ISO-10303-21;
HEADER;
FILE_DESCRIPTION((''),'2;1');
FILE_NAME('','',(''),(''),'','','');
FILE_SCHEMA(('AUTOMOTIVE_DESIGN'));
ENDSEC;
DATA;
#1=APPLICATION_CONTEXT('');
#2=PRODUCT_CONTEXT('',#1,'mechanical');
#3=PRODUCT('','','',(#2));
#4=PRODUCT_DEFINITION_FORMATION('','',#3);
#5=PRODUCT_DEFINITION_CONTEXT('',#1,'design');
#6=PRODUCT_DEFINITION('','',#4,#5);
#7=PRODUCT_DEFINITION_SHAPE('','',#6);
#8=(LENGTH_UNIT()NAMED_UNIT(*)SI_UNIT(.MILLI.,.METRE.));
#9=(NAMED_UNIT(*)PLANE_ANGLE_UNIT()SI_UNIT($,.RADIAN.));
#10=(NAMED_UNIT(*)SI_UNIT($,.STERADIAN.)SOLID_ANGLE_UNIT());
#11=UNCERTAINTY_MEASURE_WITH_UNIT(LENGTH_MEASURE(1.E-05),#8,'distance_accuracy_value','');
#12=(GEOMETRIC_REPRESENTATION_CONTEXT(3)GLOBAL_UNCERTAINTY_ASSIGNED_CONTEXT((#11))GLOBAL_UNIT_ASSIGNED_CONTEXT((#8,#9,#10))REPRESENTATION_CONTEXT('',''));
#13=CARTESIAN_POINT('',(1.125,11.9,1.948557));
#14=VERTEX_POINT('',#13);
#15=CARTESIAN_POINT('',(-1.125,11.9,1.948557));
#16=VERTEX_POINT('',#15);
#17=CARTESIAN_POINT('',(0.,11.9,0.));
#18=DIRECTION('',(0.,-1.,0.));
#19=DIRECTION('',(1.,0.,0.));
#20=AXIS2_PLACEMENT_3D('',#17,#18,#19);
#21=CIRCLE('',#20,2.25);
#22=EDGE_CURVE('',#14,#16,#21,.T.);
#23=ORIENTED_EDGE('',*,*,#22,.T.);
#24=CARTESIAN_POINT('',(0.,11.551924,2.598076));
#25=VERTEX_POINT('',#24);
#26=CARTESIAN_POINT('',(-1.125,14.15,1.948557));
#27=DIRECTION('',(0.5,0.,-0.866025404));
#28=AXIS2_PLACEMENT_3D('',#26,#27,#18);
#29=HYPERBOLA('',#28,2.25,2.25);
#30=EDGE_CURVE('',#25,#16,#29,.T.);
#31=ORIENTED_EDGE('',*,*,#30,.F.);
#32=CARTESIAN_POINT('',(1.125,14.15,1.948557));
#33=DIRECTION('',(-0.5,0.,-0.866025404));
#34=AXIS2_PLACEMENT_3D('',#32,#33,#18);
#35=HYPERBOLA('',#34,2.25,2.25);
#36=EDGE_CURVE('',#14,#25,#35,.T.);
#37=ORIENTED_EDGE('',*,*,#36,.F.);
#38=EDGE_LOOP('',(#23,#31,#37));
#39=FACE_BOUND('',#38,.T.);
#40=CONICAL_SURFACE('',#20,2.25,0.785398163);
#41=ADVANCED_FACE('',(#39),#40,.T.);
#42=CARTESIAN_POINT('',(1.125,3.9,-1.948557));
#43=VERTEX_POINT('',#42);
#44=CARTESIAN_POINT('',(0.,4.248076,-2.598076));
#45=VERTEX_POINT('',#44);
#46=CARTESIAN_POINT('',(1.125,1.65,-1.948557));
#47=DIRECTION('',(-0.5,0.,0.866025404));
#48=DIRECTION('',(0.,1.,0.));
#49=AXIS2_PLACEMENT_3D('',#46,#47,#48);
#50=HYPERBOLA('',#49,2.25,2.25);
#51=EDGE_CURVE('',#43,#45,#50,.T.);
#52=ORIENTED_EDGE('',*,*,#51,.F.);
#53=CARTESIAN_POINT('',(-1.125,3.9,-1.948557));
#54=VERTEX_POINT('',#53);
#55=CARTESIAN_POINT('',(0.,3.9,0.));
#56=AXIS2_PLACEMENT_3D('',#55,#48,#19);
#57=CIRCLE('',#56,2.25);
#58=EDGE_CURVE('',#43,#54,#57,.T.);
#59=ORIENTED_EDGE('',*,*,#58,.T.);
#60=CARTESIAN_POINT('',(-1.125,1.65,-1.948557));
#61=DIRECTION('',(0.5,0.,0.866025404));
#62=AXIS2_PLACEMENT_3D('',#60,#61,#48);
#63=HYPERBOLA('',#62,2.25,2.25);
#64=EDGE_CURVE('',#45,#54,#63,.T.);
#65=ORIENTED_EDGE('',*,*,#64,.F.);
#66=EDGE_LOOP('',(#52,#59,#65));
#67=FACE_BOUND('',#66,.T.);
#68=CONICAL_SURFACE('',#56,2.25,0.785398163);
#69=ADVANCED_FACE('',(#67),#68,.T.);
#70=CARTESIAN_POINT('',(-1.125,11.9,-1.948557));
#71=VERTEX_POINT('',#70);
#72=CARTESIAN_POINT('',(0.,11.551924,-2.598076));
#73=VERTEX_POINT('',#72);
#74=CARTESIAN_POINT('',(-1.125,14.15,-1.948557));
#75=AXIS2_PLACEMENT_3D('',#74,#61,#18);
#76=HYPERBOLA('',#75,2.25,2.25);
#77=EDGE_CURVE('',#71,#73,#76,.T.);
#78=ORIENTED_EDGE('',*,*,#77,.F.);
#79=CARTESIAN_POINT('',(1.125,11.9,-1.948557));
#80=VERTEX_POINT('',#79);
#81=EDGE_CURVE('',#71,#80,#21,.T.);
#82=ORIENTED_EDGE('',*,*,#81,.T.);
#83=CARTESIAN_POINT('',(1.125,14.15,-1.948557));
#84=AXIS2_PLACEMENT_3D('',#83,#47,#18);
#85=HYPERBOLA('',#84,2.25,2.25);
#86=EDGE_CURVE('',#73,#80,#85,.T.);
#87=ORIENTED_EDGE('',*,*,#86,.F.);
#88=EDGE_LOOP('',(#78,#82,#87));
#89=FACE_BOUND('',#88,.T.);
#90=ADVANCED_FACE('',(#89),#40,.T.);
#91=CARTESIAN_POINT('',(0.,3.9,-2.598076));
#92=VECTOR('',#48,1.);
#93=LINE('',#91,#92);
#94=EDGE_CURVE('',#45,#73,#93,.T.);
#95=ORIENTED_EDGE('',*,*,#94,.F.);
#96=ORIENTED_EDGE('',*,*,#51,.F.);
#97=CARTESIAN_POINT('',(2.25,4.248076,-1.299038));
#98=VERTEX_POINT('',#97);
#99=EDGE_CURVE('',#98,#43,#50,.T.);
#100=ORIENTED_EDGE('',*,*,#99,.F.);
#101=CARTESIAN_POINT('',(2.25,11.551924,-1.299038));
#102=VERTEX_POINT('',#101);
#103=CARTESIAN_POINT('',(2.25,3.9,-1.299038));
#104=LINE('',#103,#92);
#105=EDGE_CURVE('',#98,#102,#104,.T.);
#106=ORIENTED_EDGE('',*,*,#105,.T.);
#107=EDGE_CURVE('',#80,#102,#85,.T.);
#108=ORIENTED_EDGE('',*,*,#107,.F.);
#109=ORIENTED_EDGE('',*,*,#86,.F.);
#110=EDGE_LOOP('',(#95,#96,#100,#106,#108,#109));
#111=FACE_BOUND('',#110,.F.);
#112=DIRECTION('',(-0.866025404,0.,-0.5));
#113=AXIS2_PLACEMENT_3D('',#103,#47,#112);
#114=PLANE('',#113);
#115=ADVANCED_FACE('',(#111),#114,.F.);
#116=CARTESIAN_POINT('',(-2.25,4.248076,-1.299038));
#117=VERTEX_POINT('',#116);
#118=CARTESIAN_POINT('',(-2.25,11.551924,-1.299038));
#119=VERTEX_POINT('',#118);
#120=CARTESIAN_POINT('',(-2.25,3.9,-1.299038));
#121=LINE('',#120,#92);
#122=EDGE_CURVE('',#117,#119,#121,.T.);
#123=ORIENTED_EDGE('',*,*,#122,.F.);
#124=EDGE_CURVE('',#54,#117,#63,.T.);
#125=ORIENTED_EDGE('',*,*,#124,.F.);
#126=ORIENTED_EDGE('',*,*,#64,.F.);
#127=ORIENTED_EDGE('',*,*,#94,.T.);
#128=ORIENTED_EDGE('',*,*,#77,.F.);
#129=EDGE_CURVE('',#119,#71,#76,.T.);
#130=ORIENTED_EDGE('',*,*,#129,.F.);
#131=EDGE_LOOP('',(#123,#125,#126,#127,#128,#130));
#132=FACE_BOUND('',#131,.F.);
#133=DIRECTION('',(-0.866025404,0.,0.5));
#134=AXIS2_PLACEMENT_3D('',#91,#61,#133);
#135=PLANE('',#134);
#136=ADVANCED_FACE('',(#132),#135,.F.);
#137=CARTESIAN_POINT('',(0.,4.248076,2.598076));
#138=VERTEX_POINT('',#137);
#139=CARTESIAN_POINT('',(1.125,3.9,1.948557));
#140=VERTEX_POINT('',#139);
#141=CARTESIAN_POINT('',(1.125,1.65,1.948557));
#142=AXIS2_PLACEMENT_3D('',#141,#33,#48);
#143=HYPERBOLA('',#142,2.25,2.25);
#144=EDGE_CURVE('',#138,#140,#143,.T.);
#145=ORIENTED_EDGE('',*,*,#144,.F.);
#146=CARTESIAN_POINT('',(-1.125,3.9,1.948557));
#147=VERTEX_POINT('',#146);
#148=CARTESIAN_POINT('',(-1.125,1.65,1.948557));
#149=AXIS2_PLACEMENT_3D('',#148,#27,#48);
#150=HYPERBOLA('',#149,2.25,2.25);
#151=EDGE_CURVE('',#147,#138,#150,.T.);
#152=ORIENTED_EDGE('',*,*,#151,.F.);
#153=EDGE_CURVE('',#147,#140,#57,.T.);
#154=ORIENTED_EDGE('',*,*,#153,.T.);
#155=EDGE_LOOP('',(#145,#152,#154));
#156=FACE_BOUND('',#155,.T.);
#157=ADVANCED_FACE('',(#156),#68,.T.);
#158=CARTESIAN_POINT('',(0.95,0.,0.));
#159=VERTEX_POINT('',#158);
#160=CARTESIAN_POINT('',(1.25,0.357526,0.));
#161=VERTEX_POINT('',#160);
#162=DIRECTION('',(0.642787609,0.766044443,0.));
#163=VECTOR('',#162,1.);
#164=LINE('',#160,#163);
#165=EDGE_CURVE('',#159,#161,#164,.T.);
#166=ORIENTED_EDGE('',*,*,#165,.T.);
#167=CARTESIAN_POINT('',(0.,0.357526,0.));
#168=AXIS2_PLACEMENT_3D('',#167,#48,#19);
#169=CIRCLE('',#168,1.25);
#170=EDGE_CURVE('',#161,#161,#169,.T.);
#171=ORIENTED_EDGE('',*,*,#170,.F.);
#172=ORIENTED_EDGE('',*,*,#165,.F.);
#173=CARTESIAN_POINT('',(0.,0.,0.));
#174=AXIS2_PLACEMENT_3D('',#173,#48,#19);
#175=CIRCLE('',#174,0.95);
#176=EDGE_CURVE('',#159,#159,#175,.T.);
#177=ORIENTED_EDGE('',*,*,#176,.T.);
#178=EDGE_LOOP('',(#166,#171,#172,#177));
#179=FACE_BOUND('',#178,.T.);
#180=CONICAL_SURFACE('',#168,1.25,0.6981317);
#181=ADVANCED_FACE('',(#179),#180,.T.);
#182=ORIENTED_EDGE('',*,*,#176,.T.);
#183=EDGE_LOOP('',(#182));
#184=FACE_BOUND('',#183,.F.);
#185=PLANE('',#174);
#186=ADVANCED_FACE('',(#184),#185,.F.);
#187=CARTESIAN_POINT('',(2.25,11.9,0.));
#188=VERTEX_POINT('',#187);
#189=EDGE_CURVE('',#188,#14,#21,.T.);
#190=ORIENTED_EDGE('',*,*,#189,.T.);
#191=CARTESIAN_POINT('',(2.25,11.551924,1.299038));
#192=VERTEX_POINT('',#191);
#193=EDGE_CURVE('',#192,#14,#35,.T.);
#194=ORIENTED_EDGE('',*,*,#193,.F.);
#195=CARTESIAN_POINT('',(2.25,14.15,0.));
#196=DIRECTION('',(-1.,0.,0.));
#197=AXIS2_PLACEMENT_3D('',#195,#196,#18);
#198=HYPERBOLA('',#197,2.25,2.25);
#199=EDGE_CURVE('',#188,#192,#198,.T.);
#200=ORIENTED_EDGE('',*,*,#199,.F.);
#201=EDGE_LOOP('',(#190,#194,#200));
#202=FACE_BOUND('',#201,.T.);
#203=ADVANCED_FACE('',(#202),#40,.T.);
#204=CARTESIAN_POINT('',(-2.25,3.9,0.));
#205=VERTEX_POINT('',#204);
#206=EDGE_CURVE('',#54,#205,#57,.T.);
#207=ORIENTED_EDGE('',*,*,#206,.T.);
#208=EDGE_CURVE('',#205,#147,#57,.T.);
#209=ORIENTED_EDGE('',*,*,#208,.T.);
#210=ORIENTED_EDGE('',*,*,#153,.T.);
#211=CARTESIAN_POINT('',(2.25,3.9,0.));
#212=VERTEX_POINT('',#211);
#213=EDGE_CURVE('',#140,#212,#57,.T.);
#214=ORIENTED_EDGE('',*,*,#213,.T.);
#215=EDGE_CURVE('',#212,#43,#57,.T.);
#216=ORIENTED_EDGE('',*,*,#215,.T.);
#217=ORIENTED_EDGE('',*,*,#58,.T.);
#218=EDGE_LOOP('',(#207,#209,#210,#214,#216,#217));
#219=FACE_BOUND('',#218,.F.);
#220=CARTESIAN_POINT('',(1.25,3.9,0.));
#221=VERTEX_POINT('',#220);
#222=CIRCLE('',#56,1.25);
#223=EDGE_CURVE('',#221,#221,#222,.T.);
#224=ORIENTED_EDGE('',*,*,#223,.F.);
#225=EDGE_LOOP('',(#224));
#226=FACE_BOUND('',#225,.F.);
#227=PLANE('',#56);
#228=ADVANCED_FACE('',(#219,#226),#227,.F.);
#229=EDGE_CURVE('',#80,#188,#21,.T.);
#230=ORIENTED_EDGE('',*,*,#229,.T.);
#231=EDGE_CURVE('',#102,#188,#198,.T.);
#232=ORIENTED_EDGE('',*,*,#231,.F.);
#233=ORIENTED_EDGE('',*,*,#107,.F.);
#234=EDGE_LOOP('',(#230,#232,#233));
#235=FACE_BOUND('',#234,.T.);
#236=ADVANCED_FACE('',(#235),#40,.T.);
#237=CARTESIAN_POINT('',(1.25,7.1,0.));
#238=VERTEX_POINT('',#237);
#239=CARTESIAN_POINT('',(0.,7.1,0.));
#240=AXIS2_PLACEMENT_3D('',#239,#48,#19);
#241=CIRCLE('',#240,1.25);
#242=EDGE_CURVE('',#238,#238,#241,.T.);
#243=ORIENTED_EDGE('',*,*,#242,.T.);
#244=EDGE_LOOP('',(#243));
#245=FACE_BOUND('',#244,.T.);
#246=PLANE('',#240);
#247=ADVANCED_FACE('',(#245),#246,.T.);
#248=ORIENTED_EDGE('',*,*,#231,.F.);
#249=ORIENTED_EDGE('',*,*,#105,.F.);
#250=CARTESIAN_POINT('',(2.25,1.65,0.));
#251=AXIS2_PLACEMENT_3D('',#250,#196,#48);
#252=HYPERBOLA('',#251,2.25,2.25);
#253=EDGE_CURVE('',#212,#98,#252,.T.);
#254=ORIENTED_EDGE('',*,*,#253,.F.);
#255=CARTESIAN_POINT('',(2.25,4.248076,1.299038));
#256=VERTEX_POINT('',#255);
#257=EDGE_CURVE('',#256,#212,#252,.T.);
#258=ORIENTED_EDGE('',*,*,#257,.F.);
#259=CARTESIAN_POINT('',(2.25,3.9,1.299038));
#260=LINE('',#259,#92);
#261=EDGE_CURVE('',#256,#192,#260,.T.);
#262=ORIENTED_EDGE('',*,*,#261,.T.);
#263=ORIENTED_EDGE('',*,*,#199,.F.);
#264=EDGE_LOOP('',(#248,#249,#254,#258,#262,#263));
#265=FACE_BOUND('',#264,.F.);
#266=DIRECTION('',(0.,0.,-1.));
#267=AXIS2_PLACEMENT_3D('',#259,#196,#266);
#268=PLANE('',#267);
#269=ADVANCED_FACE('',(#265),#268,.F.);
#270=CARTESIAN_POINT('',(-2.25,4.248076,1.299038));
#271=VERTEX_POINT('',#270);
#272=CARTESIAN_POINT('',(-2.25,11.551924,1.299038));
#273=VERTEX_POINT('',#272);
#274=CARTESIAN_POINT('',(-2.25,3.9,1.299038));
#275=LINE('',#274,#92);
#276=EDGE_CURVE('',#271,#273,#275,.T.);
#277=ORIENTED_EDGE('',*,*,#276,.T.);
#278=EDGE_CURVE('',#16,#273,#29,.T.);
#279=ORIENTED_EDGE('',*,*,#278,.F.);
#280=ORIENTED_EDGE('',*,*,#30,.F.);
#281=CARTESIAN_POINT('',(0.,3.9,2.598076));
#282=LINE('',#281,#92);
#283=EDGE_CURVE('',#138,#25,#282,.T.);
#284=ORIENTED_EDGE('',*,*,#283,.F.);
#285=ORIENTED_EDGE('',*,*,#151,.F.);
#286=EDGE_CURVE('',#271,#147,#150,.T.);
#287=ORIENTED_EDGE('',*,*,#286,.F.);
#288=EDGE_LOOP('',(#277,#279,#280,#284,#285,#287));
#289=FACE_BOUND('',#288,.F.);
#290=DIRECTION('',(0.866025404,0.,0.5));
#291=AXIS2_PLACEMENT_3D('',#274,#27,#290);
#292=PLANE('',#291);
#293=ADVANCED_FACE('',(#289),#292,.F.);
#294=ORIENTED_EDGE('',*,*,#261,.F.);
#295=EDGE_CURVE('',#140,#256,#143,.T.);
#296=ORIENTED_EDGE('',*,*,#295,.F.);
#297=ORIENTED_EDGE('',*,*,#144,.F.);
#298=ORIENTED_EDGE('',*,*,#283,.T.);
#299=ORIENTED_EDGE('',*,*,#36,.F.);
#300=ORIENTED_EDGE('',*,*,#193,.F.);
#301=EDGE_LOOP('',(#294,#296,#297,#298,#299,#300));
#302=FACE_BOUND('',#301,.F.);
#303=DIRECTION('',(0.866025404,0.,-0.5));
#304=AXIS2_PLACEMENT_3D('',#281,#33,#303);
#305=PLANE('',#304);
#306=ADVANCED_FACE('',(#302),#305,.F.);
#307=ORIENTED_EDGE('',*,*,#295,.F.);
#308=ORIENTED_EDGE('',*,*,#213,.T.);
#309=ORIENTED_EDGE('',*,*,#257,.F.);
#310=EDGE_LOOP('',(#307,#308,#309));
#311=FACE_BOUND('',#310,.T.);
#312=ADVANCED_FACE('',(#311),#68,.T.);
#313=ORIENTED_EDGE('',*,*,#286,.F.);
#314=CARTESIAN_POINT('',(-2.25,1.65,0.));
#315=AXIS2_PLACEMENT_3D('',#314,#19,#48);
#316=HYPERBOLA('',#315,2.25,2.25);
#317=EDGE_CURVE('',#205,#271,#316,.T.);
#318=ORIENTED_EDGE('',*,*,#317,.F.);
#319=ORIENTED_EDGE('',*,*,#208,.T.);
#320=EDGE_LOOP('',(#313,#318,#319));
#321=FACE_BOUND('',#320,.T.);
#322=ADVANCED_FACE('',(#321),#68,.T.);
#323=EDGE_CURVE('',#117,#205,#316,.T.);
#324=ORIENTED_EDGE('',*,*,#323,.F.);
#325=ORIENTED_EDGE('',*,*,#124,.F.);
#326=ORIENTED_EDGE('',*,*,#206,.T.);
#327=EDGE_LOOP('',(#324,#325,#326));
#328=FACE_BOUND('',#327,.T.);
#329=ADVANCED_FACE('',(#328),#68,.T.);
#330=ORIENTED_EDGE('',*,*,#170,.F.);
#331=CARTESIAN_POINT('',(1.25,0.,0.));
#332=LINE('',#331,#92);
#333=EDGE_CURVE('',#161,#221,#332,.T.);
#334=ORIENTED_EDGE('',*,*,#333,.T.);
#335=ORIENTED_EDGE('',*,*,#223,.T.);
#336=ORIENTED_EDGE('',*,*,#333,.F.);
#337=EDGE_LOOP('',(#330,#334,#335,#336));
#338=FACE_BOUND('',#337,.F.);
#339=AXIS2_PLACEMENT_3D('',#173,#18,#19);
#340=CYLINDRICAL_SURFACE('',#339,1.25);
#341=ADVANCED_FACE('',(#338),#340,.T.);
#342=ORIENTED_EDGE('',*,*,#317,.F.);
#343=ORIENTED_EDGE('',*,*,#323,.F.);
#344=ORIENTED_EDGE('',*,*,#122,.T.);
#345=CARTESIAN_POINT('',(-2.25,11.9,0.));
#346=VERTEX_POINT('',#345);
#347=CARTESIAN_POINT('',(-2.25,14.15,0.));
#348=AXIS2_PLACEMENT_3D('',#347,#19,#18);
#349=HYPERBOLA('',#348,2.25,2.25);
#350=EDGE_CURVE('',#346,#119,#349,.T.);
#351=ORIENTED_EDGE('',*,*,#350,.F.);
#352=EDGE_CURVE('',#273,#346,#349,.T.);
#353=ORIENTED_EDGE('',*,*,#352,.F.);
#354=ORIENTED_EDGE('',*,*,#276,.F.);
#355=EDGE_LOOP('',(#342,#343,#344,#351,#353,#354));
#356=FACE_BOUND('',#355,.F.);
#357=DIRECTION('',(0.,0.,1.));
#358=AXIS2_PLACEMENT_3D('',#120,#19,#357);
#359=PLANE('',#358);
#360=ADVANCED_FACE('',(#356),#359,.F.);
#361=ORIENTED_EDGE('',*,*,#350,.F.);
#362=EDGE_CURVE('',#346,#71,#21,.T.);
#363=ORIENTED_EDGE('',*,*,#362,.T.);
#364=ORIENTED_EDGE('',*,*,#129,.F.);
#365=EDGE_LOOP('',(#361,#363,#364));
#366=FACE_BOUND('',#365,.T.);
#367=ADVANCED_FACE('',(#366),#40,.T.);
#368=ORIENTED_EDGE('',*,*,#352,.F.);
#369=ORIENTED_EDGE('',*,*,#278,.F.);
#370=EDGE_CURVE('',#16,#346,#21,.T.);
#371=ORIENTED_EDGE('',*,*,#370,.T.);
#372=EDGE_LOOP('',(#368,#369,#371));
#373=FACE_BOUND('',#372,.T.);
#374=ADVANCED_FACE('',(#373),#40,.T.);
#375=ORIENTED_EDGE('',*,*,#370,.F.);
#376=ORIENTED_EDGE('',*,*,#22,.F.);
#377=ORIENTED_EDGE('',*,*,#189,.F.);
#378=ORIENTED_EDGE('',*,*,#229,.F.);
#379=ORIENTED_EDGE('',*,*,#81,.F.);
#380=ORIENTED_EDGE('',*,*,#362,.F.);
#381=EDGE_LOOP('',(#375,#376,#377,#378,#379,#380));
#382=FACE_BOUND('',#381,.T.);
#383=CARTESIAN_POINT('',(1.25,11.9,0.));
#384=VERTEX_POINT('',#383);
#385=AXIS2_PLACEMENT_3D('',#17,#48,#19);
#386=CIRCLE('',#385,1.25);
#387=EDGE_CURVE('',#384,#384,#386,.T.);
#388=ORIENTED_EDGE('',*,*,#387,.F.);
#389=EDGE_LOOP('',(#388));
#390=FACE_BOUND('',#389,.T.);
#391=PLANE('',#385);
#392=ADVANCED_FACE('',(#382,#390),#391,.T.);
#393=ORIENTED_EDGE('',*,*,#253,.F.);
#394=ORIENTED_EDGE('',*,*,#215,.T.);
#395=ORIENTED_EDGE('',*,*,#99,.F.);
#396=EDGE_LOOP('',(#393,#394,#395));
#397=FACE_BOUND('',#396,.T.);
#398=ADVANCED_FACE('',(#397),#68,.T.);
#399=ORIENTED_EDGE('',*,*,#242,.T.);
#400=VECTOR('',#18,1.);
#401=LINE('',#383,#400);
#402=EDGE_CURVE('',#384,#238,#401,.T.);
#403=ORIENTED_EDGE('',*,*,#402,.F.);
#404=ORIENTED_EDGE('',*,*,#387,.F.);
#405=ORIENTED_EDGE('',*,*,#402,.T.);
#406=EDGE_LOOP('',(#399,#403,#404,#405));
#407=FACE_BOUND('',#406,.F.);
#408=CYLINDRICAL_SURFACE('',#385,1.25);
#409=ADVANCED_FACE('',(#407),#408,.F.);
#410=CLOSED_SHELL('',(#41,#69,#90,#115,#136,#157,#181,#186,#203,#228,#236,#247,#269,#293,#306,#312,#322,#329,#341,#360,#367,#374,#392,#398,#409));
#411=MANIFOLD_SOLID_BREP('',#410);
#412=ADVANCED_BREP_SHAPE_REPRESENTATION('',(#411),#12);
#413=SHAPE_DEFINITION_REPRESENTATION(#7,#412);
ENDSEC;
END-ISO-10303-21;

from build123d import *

# Parameters (mm, degrees)
SKETCH1_R           = 1.25
BOSS_EXTRUDE1_DEPTH = 3.9
BOSS_EXTRUDE2_DEPTH = 8
SKETCH3_R           = 1.25
CUT_EXTRUDE1_DEPTH  = 4.8
SKETCH4_OUTSIDE_W   = 18.848
SKETCH4_OUTSIDE_H   = 19.544
SKETCH4_OUTSIDE_R   = 2.25
CUT_EXTRUDE2_DEPTH  = 4.8
CUT_EXTRUDE2_TAPER  = 45
SKETCH5_OUTSIDE_W   = 27.248
SKETCH5_OUTSIDE_H   = 27.944
SKETCH5_OUTSIDE_R   = 2.25
CUT_EXTRUDE3_DEPTH  = 9
CUT_EXTRUDE3_TAPER  = 45
CHAMFER1_SIZE       = 0.3
CHAMFER1_SIZE2      = 0.357526078


with BuildPart() as part:
    # Sketch1 → Boss-Extrude1 (new body)
    with BuildSketch(Plane(origin=(0, 0, 0), x_dir=(1, 0, 0), z_dir=(0, 1, 0))):
        Circle(SKETCH1_R)
    extrude(amount=BOSS_EXTRUDE1_DEPTH)

    # Sketch2 → Boss-Extrude2 (add)
    with BuildSketch(Plane(origin=(0, 3.9, 0), x_dir=(1, 0, 0), z_dir=(0, 1, 0))):
        Polygon((0, 2.598076211), (-2.25, 1.299038106), (-2.25, -1.299038106), (0, -2.598076211), (2.25, -1.299038106), (2.25, 1.299038106), align=None)
    extrude(amount=BOSS_EXTRUDE2_DEPTH)

    # Sketch3 → Cut-Extrude1 (cut)
    with BuildSketch(Plane(origin=(0, 11.9, 0), x_dir=(1, 0, 0), z_dir=(0, 1, 0))):
        Circle(SKETCH3_R)
    extrude(amount=-CUT_EXTRUDE1_DEPTH, mode=Mode.SUBTRACT)

    # Sketch4 outside → Cut-Extrude2 (cut)
    with BuildSketch(Plane(origin=(0, 11.9, 0), x_dir=(1, 0, 0), z_dir=(0, 1, 0))):
        Rectangle(SKETCH4_OUTSIDE_W, SKETCH4_OUTSIDE_H)
        Circle(SKETCH4_OUTSIDE_R, mode=Mode.SUBTRACT)
    extrude(amount=-CUT_EXTRUDE2_DEPTH, taper=CUT_EXTRUDE2_TAPER, mode=Mode.SUBTRACT)

    # Sketch5 outside → Cut-Extrude3 (cut, through all)
    with BuildSketch(Plane.XZ.offset(-3.9)):
        Rectangle(SKETCH5_OUTSIDE_W, SKETCH5_OUTSIDE_H)
        Circle(SKETCH5_OUTSIDE_R, mode=Mode.SUBTRACT)
    extrude(amount=-CUT_EXTRUDE3_DEPTH, taper=CUT_EXTRUDE3_TAPER, mode=Mode.SUBTRACT)

    # Chamfer1
    chamfer1_edges = [part.edges().sort_by_distance(p)[0] for p in [
        (-1.25, 0, 0),
    ]]
    chamfer1_side = [part.faces().sort_by_distance(p)[0] for p in [
        (0, 0, 0),
    ]]
    chamfer(chamfer1_edges, length=CHAMFER1_SIZE, length2=CHAMFER1_SIZE2, reference=chamfer1_side[0])


solid = part.part
